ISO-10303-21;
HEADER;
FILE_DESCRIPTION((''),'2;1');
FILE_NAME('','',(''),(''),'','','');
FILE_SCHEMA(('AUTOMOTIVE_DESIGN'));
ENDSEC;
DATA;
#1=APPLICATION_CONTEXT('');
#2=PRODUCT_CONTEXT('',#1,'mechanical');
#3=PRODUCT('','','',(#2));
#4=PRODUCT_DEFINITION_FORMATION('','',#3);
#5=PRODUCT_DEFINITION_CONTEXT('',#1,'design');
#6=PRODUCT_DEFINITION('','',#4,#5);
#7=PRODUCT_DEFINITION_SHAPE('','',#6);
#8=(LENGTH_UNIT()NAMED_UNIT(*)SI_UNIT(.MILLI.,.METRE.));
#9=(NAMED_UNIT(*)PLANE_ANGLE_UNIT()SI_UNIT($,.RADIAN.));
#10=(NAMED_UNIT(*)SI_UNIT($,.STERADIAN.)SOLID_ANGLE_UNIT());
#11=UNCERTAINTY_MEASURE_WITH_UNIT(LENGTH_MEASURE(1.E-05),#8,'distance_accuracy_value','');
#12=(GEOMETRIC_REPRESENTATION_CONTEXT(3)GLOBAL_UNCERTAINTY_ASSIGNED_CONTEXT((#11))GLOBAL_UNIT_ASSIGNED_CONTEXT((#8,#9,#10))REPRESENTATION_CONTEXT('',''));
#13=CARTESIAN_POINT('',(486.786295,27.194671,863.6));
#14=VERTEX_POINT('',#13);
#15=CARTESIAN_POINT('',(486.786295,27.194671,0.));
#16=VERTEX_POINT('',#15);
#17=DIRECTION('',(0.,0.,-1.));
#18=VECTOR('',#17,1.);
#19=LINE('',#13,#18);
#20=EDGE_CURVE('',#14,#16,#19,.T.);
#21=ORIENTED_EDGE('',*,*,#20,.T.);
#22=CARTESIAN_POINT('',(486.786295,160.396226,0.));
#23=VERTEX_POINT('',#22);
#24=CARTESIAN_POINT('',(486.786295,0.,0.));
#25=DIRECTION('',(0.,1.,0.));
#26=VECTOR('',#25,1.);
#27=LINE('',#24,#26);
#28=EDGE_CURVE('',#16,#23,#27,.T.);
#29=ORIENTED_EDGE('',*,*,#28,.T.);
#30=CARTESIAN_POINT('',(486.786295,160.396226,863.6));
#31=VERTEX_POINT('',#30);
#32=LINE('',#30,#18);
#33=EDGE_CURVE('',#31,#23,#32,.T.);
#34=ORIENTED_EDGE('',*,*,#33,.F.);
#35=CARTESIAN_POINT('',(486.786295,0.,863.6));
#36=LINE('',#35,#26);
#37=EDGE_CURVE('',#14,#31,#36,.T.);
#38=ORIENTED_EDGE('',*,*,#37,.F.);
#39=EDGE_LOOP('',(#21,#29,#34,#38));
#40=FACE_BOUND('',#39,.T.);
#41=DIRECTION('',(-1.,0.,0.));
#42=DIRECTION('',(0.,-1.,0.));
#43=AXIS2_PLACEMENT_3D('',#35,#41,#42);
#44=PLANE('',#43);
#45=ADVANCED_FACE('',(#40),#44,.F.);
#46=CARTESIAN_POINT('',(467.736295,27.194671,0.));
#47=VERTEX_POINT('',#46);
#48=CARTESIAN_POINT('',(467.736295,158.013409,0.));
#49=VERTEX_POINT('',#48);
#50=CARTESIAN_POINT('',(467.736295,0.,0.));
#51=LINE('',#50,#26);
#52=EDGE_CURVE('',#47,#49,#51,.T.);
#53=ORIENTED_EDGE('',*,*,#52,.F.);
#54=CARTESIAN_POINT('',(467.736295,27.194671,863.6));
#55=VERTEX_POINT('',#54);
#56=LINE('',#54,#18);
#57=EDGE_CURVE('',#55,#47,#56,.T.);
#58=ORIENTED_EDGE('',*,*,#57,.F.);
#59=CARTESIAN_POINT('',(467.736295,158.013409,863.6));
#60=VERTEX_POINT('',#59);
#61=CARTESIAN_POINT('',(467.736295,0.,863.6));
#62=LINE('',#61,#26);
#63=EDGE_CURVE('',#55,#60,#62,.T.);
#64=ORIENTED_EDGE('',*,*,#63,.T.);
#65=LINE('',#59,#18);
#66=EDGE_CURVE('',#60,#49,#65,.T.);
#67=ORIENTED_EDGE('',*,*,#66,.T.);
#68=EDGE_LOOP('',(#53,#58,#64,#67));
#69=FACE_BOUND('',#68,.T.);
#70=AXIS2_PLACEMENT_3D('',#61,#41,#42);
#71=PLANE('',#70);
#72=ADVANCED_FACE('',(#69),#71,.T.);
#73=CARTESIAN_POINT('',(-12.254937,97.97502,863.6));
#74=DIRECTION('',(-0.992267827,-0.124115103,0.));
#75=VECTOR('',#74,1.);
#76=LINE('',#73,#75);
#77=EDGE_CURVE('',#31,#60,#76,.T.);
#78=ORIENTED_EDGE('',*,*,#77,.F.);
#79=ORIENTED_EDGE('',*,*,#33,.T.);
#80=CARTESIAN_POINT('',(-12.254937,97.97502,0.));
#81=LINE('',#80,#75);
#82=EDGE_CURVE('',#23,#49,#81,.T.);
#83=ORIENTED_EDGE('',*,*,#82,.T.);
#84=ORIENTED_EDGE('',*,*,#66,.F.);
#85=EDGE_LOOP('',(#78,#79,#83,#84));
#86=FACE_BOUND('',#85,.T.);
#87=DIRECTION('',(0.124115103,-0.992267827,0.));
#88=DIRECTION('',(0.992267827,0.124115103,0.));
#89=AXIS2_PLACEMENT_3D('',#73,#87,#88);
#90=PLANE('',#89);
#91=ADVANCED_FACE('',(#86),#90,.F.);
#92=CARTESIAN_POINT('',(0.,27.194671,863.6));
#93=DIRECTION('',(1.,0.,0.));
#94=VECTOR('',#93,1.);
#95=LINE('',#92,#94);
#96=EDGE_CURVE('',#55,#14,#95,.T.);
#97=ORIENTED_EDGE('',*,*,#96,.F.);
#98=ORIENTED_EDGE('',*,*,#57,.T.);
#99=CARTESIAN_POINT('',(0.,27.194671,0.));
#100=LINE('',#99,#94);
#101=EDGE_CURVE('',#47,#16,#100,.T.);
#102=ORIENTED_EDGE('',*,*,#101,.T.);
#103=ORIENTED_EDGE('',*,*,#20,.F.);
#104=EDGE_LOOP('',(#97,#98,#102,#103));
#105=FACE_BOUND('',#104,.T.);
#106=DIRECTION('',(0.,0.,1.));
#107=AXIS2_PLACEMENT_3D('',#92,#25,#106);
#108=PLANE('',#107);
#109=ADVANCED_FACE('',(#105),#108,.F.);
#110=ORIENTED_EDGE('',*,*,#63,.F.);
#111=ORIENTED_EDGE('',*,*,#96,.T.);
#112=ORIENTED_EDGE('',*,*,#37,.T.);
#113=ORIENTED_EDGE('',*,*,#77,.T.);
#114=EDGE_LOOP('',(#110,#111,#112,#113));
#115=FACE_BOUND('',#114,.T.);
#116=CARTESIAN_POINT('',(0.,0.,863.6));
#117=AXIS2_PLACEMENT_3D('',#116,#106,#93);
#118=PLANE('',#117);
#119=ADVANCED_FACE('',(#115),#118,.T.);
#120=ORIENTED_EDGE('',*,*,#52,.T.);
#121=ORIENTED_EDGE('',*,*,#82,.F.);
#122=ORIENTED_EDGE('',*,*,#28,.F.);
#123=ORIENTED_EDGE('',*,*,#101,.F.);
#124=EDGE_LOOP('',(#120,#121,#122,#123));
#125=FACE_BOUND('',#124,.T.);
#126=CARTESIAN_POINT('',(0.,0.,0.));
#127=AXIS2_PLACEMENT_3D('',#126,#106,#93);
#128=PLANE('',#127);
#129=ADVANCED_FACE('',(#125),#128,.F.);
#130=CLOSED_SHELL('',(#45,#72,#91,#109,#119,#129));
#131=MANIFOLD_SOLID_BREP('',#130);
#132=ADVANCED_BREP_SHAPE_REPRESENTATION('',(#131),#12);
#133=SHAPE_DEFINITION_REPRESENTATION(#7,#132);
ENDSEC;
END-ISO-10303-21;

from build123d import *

# Parameters (mm, degrees)
BOSS_EXTRUDE1_DEPTH = 863.6


with BuildPart() as part:
    # Sketch1 → Boss-Extrude1 (new body)
    with BuildSketch(Plane.XY):
        Polygon((467.736295427, 158.013408708), (467.736295427, 27.19467147), (486.786295427, 27.19467147), (486.786295427, 160.396225774), align=None)
    extrude(amount=BOSS_EXTRUDE1_DEPTH)


solid = part.part
